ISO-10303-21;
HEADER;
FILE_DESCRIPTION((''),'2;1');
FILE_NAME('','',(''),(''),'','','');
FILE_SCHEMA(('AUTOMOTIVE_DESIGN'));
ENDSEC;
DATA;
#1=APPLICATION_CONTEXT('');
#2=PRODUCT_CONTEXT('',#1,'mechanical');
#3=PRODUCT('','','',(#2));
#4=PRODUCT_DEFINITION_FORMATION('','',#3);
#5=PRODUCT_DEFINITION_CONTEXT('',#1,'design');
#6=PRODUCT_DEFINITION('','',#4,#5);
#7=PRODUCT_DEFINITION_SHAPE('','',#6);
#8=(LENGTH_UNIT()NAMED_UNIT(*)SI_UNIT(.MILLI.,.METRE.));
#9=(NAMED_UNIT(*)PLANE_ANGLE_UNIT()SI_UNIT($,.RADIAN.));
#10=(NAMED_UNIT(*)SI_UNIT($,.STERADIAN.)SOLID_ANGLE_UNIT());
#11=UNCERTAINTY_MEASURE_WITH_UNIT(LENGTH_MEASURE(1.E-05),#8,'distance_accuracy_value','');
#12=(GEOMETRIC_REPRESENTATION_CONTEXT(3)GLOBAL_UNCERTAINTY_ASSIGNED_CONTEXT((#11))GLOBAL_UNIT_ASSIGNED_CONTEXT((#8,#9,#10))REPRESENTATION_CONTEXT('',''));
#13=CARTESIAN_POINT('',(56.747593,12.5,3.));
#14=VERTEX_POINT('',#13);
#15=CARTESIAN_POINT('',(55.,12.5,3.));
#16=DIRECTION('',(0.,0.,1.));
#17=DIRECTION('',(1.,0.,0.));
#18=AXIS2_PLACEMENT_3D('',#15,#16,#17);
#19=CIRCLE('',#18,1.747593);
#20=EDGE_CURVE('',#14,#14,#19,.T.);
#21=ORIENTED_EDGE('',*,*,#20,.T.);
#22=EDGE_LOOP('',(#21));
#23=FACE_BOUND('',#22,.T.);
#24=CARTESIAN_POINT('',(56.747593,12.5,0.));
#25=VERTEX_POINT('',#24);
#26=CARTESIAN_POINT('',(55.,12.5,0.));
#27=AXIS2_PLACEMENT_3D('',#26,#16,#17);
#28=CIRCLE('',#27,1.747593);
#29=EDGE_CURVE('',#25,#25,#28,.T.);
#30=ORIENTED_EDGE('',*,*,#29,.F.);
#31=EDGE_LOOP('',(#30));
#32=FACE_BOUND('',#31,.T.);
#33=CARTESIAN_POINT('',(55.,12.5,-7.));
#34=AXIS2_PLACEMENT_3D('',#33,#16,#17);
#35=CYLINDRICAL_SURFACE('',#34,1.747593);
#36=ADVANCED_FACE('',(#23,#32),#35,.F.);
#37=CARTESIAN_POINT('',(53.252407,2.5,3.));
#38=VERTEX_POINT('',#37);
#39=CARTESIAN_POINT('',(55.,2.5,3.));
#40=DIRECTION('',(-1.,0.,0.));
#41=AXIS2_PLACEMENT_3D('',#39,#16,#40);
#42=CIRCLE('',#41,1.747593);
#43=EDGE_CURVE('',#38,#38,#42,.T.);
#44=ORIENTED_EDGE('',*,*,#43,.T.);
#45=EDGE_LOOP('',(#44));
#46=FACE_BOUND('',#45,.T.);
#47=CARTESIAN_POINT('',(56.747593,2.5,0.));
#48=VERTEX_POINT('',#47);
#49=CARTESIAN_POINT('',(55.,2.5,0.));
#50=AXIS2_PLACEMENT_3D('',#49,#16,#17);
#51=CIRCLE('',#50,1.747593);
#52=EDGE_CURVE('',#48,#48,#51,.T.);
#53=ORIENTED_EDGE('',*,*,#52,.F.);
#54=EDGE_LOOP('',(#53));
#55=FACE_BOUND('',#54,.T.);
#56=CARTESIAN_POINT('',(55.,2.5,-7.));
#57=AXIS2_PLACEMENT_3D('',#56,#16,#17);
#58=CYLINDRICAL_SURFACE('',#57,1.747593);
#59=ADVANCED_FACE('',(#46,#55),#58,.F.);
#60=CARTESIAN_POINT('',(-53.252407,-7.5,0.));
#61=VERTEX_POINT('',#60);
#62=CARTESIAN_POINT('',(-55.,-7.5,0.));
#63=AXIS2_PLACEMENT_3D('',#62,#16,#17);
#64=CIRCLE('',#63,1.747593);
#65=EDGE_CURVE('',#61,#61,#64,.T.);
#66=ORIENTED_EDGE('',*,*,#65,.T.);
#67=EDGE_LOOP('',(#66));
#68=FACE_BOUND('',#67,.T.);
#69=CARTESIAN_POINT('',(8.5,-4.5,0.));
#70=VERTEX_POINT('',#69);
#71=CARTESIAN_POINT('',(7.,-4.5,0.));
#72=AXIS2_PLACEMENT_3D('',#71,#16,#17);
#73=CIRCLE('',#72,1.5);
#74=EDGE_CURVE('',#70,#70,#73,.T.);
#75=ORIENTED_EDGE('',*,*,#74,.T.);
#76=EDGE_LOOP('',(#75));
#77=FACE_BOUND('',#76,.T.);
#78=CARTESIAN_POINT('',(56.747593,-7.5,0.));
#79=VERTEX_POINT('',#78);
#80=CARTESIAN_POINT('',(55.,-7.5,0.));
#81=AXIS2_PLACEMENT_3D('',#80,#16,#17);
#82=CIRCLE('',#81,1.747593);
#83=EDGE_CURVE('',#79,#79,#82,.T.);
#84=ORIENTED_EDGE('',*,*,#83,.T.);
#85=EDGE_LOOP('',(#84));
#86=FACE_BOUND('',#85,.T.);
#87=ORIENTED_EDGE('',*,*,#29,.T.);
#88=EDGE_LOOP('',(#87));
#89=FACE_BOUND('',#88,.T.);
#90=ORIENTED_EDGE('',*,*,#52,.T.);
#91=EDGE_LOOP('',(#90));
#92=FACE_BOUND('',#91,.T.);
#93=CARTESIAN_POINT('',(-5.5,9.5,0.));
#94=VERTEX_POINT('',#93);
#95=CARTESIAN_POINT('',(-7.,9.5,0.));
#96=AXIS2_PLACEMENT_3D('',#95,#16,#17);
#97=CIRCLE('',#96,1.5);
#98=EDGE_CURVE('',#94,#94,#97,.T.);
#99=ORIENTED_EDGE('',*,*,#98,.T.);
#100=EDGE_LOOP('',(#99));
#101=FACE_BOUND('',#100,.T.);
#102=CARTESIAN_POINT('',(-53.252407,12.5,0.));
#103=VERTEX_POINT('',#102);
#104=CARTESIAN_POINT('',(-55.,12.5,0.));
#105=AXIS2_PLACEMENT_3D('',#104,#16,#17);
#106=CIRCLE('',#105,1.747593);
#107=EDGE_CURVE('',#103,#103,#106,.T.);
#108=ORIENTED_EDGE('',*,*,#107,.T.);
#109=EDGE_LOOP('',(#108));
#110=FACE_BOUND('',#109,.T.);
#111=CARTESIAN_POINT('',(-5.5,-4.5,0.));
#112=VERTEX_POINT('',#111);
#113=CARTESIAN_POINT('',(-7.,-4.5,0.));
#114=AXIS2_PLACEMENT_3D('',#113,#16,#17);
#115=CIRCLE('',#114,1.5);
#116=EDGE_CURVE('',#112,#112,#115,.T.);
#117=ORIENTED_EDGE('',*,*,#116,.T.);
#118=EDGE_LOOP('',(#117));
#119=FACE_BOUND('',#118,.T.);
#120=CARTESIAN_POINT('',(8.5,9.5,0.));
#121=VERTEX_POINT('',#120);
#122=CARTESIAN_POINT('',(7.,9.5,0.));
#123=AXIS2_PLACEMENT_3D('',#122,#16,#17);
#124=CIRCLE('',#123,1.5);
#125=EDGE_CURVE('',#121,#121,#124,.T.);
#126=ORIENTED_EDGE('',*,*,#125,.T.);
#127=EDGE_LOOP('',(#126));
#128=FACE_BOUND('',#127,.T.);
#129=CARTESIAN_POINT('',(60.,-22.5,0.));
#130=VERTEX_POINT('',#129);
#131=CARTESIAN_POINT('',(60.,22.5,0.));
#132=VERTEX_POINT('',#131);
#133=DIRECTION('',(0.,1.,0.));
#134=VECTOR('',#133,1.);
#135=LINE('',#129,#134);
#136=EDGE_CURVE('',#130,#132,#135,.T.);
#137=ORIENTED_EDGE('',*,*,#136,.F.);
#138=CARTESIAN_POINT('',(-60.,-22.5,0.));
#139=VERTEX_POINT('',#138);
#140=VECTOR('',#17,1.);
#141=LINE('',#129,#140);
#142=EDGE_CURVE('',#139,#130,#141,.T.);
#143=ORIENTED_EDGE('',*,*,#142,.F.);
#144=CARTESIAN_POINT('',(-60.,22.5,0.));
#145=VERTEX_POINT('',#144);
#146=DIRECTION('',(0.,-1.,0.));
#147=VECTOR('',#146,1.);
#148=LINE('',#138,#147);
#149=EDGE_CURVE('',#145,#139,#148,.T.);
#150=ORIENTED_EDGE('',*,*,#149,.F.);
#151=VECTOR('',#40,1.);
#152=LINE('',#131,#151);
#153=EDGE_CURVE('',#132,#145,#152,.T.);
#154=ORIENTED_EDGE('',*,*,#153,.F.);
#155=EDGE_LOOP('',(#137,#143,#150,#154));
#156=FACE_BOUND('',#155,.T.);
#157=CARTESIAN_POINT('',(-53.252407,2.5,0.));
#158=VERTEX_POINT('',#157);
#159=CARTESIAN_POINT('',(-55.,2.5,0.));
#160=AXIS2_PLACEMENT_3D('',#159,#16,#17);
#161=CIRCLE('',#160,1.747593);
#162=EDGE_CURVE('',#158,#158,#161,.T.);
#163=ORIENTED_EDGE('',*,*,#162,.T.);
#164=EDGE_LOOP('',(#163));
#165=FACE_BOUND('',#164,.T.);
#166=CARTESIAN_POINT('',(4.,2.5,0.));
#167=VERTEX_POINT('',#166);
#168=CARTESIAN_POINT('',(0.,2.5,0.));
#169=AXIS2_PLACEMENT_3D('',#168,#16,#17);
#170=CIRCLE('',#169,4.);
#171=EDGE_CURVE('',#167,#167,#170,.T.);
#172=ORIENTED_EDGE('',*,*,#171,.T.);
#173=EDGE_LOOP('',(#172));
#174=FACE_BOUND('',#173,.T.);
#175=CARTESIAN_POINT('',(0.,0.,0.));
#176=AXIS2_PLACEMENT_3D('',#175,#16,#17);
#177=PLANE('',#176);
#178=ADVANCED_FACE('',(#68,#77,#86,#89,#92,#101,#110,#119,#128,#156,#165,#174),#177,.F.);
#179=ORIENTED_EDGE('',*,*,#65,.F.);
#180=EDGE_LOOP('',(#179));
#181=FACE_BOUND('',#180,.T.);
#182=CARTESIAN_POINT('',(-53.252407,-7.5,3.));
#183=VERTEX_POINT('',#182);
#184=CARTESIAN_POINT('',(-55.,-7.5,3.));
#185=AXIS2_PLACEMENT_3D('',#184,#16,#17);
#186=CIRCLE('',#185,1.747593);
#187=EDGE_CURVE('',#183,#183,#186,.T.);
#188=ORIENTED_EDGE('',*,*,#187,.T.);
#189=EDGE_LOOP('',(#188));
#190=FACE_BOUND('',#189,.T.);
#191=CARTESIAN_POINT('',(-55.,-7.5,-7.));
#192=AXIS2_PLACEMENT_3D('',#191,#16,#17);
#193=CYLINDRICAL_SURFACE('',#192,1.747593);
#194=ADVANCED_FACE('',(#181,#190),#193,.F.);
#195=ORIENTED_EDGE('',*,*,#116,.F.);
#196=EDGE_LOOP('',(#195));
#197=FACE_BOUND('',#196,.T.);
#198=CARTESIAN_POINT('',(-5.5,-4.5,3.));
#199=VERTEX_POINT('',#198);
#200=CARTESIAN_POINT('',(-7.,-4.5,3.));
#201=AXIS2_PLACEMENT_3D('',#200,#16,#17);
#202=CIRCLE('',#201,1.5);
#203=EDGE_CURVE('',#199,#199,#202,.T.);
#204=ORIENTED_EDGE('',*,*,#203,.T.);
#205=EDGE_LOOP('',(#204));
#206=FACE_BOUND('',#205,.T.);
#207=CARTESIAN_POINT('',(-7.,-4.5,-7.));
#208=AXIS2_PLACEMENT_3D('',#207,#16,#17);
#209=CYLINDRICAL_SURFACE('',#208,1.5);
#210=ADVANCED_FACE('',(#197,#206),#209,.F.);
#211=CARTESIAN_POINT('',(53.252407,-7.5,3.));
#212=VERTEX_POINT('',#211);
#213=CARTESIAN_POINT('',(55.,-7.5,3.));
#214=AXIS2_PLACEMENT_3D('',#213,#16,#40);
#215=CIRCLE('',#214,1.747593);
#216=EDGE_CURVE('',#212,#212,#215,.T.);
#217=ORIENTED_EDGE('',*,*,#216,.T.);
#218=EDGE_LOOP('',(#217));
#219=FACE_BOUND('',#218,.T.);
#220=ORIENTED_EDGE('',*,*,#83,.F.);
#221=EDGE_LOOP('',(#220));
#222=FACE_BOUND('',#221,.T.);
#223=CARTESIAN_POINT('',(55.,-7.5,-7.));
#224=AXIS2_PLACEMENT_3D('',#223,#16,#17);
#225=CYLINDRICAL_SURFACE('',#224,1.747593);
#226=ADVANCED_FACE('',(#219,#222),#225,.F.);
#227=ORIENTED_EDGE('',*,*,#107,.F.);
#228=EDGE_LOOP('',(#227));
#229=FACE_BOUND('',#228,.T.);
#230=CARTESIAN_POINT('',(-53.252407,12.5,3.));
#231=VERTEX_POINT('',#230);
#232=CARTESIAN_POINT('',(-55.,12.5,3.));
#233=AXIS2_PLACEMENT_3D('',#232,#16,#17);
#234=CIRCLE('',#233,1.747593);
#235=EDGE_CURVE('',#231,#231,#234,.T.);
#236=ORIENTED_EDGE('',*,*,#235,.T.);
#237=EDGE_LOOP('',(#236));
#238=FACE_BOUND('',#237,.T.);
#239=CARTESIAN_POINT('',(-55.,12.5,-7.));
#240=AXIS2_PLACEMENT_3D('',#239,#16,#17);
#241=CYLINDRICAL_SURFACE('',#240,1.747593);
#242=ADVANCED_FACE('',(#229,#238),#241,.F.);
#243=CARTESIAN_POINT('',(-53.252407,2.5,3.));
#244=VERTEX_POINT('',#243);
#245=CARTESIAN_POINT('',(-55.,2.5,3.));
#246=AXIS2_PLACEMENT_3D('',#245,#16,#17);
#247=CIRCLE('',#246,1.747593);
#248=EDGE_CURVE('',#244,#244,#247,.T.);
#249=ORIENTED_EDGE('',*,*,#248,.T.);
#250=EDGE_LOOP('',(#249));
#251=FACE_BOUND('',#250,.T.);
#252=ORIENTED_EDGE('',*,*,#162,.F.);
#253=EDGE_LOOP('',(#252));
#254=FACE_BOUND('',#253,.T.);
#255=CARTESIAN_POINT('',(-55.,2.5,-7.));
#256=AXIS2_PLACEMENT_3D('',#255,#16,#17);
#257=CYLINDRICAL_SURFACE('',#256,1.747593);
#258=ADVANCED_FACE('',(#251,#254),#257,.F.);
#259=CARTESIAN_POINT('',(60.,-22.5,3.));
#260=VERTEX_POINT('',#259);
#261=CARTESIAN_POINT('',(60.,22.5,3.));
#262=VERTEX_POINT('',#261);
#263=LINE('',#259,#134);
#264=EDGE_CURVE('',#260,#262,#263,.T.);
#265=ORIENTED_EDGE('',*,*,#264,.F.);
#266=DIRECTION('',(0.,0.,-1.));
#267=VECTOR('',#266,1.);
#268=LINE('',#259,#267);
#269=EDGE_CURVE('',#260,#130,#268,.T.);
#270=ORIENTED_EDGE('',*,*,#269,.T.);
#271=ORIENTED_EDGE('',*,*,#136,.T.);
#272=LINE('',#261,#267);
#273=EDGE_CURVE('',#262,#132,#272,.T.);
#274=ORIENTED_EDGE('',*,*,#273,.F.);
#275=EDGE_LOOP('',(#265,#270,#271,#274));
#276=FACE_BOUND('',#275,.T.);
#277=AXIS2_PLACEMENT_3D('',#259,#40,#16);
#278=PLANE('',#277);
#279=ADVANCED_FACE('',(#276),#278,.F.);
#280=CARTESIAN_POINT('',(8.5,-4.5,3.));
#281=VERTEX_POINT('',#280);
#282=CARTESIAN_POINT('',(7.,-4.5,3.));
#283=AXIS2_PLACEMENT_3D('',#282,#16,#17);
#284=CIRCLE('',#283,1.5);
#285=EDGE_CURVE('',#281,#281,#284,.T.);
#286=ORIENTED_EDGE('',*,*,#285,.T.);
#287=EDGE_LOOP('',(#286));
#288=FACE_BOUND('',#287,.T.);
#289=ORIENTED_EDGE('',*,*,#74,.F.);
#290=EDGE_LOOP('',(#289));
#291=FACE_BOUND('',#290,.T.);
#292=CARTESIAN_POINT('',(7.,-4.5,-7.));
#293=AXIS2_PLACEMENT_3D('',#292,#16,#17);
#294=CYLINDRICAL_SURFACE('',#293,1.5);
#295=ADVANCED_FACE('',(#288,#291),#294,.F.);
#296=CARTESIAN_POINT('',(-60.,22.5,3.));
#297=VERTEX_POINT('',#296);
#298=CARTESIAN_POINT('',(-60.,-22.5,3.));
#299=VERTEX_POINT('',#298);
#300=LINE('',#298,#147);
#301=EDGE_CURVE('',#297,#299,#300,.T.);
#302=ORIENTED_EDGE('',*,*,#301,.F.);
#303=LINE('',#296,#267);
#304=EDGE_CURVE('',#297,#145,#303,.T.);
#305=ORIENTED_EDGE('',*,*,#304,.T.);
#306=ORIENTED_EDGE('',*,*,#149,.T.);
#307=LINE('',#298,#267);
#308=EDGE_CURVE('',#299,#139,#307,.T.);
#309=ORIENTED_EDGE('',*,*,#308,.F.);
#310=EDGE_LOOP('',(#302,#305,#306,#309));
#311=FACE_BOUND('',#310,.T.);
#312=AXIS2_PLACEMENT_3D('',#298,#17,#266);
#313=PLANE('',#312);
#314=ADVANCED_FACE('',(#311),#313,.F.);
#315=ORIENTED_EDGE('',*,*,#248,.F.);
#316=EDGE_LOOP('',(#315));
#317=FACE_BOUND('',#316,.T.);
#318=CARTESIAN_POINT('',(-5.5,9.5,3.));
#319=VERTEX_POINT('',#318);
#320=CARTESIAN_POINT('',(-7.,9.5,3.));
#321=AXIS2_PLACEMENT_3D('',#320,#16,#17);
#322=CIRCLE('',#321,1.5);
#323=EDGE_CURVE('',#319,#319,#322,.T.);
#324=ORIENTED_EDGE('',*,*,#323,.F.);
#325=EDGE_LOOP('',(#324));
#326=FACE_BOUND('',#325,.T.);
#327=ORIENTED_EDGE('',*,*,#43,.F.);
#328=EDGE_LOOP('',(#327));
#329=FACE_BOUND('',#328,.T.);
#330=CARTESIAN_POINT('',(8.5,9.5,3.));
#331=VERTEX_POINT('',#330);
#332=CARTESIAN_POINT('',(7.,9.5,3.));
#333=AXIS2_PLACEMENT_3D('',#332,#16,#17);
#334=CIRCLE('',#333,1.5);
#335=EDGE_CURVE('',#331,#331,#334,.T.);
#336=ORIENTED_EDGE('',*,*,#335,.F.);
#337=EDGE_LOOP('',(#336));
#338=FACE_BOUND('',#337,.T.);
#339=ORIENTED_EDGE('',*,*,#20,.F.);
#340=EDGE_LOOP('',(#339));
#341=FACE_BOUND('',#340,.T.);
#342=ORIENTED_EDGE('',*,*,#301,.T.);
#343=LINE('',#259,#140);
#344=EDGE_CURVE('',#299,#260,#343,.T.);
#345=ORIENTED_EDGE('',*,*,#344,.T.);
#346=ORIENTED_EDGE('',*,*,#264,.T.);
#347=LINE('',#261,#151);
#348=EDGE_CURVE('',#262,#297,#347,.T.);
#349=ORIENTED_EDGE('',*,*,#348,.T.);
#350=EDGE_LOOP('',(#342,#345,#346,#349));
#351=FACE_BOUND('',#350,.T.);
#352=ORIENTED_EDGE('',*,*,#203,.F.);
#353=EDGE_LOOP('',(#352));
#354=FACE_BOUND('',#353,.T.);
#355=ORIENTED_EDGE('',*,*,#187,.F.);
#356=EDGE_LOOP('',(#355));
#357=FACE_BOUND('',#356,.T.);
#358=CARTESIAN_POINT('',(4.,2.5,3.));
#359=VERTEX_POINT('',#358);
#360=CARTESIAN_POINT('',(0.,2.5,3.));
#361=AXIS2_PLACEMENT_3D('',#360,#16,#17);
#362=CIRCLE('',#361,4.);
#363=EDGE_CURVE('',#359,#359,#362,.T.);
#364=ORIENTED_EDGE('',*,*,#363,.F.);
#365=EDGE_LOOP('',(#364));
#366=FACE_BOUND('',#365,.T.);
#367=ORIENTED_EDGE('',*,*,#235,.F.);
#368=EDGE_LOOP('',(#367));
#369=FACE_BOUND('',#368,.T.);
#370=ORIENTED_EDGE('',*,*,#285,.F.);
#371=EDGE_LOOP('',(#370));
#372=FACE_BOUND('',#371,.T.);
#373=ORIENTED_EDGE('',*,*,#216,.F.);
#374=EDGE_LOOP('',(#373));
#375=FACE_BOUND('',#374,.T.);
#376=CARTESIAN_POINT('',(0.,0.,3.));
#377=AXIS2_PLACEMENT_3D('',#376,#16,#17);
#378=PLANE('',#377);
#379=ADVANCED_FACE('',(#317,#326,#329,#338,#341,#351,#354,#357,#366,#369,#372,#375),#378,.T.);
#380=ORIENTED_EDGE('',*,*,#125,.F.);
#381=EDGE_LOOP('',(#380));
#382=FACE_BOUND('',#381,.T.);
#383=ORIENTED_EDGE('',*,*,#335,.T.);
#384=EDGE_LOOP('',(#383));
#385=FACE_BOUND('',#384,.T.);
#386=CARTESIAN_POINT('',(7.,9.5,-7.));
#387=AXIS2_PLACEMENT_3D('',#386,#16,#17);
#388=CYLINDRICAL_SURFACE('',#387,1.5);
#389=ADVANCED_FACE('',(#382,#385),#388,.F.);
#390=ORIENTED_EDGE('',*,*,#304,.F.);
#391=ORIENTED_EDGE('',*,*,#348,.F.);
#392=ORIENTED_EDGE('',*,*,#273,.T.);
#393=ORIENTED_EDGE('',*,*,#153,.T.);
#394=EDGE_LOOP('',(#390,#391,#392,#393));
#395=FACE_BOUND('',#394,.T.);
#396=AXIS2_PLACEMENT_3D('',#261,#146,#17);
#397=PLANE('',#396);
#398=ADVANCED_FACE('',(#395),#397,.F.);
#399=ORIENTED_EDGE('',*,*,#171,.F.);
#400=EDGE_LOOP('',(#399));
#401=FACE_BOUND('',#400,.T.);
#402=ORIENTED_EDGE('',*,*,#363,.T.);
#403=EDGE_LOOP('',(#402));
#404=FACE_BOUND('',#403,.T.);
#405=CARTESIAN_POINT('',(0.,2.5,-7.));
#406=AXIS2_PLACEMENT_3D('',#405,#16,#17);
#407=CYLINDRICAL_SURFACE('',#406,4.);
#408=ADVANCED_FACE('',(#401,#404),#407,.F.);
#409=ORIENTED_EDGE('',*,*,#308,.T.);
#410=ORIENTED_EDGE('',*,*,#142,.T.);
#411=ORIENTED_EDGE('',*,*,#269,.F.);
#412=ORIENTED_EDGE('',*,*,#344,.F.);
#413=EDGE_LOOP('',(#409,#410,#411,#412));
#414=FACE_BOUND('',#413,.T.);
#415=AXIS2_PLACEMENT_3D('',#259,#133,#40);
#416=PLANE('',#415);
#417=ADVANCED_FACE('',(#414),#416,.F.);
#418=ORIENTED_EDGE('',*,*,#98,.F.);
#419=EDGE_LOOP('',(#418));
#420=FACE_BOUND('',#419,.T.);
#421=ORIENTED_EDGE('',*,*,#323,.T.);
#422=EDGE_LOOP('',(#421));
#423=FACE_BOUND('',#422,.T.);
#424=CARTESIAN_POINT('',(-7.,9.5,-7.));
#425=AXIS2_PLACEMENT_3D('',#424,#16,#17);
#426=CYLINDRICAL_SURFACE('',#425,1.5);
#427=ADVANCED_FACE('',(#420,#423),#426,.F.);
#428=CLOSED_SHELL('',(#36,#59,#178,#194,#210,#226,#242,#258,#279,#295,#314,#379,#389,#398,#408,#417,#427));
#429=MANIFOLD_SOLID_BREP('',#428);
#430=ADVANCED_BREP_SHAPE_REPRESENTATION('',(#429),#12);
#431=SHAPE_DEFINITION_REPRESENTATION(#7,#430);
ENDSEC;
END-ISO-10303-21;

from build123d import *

# Parameters (mm, degrees)
ESQUISSE1_W             = 120
ESQUISSE1_H             = 45
BOSS_EXTRU_1_DEPTH      = 3
ESQUISSE2_R             = 1.747592995
ESQUISSE2_R_2           = 4
ESQUISSE2_R_3           = 1.5
ENL_V_MAT_EXTRU_1_DEPTH = 10


with BuildPart() as part:
    # Esquisse1 → Boss.-Extru.1 (new body)
    with BuildSketch(Plane.XY):
        Rectangle(ESQUISSE1_W, ESQUISSE1_H)
    extrude(amount=BOSS_EXTRU_1_DEPTH)

    # Esquisse2 → Enlèv. mat.-Extru.1 (cut)
    with BuildSketch(Plane.XY.offset(3)):
        with Locations((-55, 12.5)):
            Circle(ESQUISSE2_R)
        with Locations((55, 12.5)):
            Circle(ESQUISSE2_R)
        with Locations((-55, 2.5)):
            Circle(ESQUISSE2_R)
        with Locations((-55, -7.5)):
            Circle(ESQUISSE2_R)
        with Locations((55, -7.5)):
            Circle(ESQUISSE2_R)
        with Locations((55, 2.5)):
            Circle(ESQUISSE2_R)
        with Locations((0, 2.5)):
            Circle(ESQUISSE2_R_2)
        with Locations((-7, 9.5)):
            Circle(ESQUISSE2_R_3)
        with Locations((7, 9.5)):
            Circle(ESQUISSE2_R_3)
        with Locations((7, -4.5)):
            Circle(ESQUISSE2_R_3)
        with Locations((-7, -4.5)):
            Circle(ESQUISSE2_R_3)
    extrude(amount=-ENL_V_MAT_EXTRU_1_DEPTH, mode=Mode.SUBTRACT)


solid = part.part
